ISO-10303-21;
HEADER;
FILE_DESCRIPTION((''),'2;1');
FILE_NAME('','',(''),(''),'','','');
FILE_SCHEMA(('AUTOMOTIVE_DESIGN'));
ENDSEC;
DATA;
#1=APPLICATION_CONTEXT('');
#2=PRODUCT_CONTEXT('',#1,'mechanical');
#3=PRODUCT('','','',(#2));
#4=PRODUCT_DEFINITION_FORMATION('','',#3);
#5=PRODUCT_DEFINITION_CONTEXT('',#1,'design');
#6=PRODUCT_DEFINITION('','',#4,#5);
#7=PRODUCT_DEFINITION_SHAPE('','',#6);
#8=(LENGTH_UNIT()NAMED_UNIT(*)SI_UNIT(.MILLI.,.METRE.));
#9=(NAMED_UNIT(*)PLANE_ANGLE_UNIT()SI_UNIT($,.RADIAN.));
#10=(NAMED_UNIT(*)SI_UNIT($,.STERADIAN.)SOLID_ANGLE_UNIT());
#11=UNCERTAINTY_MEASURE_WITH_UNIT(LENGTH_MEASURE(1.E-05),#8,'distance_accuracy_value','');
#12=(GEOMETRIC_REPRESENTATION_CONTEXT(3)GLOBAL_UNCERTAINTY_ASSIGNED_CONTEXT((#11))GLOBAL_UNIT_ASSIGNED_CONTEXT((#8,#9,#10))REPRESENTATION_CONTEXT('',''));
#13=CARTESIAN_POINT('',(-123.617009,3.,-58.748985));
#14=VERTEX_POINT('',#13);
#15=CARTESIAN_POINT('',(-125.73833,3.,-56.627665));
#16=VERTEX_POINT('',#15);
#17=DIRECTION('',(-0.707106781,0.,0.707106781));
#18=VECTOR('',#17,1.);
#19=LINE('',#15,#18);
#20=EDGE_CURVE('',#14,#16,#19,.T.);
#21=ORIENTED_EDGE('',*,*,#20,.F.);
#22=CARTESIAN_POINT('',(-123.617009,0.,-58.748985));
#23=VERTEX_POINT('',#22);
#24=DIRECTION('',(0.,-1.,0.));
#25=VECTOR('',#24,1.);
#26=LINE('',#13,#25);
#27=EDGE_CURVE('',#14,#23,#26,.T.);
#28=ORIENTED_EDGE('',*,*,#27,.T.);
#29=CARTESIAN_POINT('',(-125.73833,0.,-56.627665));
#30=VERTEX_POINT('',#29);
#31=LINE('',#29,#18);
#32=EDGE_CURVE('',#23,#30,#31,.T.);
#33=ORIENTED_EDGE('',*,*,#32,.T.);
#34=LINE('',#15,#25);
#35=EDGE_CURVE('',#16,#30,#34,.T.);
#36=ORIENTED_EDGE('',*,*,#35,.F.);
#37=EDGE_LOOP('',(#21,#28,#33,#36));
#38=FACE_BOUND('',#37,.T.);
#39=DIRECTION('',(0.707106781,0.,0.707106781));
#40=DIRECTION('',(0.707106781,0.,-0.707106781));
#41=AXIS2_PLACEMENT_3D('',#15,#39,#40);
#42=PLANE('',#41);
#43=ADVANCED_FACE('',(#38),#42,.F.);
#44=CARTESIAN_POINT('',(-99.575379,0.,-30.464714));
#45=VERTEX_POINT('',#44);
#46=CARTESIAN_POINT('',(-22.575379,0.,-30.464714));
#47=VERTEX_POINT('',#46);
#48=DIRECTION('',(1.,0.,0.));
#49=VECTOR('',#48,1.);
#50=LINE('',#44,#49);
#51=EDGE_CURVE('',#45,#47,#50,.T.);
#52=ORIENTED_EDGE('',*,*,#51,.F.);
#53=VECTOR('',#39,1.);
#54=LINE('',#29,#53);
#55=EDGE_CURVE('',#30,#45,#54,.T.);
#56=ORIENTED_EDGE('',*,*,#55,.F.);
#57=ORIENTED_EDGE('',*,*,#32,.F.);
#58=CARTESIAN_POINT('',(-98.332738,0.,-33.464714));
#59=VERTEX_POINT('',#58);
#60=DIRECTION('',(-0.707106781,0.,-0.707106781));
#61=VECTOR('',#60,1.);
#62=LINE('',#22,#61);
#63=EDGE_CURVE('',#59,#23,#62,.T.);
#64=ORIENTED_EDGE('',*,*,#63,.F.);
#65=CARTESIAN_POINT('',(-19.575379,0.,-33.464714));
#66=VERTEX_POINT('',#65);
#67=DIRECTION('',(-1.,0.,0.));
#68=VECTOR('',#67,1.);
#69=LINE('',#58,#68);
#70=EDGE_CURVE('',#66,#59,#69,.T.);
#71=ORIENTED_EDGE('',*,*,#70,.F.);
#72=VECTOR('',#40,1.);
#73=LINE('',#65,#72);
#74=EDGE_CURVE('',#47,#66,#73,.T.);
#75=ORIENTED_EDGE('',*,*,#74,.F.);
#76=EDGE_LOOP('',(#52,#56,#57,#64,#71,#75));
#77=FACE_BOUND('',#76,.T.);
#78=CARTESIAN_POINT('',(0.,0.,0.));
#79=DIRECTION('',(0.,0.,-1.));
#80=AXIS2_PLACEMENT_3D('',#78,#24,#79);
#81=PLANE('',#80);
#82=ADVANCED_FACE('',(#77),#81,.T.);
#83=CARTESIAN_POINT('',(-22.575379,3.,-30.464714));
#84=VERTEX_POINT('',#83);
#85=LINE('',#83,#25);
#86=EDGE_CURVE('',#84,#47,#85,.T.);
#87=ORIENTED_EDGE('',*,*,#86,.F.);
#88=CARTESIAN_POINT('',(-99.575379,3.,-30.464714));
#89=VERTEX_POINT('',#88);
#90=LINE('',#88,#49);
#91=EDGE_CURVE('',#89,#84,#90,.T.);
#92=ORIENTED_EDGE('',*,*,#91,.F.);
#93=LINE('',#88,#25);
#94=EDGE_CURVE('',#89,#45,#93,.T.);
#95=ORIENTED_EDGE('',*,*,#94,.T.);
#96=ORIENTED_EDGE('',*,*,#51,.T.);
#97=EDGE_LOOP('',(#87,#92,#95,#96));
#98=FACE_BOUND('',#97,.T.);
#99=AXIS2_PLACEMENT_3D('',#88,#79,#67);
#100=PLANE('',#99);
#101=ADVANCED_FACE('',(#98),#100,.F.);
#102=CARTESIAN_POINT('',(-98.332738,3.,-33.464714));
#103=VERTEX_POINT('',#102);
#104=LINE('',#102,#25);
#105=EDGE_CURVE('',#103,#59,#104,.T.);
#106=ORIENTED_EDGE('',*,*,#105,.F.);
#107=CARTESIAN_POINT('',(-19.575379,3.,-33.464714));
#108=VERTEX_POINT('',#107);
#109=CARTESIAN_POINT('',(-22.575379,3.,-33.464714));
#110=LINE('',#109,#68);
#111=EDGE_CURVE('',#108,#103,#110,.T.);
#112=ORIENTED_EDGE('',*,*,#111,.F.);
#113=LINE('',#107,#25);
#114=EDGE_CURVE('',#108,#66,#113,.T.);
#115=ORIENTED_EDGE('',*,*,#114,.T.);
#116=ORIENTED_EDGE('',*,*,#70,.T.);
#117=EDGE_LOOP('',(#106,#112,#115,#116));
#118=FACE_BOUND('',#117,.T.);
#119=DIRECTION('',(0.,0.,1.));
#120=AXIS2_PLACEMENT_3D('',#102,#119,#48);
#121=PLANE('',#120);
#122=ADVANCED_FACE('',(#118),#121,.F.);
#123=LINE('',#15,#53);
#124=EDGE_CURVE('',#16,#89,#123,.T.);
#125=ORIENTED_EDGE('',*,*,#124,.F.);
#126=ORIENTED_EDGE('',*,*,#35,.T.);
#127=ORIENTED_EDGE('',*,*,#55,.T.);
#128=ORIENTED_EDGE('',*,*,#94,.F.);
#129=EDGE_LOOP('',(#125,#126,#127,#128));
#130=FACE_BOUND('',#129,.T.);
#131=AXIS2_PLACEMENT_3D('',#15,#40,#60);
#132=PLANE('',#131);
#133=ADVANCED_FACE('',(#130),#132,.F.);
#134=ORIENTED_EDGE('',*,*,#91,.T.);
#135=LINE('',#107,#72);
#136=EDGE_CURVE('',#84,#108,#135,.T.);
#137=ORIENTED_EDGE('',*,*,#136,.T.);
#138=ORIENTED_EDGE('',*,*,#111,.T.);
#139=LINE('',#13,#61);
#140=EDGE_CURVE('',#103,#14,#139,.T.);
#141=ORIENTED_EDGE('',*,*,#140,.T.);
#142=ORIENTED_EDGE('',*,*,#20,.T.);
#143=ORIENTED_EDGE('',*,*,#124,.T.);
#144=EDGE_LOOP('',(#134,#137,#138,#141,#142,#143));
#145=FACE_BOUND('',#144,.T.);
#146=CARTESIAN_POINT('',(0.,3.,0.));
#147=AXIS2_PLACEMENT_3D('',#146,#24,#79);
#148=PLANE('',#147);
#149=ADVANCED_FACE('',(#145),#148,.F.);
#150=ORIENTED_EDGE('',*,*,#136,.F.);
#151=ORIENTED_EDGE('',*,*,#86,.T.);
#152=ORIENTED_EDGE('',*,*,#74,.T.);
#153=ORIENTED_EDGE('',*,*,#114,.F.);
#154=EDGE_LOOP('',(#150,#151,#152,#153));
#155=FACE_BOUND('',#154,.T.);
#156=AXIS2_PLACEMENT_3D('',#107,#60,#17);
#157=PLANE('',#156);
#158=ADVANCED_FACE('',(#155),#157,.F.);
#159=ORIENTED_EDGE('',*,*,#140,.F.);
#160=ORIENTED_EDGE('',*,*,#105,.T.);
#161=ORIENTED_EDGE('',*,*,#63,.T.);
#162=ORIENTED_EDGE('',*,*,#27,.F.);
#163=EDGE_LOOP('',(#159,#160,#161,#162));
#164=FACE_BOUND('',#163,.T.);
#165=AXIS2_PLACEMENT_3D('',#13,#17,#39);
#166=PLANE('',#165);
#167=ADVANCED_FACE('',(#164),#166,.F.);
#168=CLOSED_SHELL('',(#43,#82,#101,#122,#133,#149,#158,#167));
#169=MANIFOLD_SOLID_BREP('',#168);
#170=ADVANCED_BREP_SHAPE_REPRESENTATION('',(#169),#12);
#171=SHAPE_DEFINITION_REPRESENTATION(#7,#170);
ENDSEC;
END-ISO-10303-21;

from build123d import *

# Parameters (mm, degrees)
BOSS_EXTRUDE1_DEPTH = 3


with BuildPart() as part:
    # Sketch1 → Boss-Extrude1 (new body)
    with BuildSketch(Plane(origin=(0, 0, 0), x_dir=(1, 0, 0), z_dir=(0, 1, 0))):
        Polygon((-125.738329701, 56.627665042), (-99.575378798, 30.464714138), (-22.575378798, 30.464714138), (-19.575378798, 33.464714138), (-22.575378798, 33.464714138), (-98.33273811, 33.464714138), (-123.617009358, 58.748985386), align=None)
    extrude(amount=BOSS_EXTRUDE1_DEPTH)


solid = part.part
